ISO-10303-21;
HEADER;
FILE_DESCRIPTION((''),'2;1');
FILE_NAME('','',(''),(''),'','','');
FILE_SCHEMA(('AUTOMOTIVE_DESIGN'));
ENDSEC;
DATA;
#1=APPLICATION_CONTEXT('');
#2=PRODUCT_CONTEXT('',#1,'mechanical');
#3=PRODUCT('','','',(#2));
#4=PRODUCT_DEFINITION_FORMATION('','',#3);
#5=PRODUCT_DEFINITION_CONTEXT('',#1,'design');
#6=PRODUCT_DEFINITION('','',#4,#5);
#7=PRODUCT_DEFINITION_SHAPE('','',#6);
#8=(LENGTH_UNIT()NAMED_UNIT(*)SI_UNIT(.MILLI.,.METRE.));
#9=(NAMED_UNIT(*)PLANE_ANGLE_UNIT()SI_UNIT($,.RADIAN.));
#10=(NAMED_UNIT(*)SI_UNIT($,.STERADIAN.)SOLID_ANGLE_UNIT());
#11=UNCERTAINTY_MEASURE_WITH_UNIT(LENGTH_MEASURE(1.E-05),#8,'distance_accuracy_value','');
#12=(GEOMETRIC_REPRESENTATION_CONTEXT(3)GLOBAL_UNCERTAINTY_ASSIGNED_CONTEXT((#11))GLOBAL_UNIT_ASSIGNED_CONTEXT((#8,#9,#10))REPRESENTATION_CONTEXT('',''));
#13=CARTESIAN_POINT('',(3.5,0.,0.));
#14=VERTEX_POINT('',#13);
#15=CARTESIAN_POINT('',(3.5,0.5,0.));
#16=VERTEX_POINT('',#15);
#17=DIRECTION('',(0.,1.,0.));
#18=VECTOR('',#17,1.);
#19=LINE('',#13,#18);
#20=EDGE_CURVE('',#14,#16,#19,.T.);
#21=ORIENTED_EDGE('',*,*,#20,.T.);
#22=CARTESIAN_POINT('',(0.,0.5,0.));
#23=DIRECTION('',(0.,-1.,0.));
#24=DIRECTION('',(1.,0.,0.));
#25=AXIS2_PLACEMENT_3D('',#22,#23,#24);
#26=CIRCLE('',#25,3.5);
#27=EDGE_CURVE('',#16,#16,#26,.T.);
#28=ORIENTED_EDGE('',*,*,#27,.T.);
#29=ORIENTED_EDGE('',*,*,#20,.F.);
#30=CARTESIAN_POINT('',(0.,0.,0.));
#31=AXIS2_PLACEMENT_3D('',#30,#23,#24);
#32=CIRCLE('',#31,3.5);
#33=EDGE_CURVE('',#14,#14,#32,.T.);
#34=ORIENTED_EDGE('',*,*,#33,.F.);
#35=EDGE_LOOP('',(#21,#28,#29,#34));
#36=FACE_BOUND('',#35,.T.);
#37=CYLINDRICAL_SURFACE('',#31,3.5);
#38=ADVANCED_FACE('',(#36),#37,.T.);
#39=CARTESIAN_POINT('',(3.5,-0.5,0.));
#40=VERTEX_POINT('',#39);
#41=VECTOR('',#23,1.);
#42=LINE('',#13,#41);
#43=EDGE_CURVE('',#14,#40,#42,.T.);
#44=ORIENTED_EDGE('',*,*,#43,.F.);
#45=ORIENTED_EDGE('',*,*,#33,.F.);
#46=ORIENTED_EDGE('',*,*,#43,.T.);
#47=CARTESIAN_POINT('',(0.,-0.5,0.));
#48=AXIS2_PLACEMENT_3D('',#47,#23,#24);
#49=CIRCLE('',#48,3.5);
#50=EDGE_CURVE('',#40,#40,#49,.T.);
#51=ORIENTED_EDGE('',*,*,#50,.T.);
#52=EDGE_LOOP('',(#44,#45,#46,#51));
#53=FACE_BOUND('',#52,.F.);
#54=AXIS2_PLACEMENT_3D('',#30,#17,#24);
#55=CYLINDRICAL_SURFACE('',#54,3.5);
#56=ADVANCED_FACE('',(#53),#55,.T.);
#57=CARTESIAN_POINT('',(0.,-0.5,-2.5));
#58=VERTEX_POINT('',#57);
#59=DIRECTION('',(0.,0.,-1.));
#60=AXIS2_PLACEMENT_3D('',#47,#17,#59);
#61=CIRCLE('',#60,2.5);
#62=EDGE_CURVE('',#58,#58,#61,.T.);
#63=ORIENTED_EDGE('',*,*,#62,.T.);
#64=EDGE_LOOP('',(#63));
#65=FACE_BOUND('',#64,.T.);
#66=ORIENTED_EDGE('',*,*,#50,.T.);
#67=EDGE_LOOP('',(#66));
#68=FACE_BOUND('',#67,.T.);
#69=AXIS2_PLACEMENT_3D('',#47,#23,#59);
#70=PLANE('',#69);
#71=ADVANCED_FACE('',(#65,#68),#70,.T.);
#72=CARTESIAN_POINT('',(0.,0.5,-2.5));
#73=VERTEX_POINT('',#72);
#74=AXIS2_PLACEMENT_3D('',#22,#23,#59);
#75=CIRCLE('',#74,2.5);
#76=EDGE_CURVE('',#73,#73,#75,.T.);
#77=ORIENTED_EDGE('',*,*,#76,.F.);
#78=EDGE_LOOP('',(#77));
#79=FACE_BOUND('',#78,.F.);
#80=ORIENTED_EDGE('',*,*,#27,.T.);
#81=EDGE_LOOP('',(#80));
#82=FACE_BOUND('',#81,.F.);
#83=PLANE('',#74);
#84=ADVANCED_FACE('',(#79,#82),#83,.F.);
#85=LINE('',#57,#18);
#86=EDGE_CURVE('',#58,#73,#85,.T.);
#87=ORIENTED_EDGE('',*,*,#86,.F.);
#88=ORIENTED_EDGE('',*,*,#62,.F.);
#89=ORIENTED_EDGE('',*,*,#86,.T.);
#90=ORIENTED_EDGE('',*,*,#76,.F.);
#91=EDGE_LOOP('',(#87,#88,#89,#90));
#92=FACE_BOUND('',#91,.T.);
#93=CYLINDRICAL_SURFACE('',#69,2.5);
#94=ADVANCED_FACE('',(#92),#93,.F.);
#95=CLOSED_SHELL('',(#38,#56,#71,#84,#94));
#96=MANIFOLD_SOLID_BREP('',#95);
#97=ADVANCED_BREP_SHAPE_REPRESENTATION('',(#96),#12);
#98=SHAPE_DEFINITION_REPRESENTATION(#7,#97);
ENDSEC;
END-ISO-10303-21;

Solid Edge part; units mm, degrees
sketch "Sketch1" plane through (0, 0, 0) normal (0, -1, 0) x (1, 0, 0)
  circle A0 centre (0, 0) radius 3.5
extrude "Protrusion1" add sketch "Sketch1" along normal mid plane 1
hole "Hole_1" at (0, -0.5, 0) direction (0, 1, 0) diameter 5 end up to next
